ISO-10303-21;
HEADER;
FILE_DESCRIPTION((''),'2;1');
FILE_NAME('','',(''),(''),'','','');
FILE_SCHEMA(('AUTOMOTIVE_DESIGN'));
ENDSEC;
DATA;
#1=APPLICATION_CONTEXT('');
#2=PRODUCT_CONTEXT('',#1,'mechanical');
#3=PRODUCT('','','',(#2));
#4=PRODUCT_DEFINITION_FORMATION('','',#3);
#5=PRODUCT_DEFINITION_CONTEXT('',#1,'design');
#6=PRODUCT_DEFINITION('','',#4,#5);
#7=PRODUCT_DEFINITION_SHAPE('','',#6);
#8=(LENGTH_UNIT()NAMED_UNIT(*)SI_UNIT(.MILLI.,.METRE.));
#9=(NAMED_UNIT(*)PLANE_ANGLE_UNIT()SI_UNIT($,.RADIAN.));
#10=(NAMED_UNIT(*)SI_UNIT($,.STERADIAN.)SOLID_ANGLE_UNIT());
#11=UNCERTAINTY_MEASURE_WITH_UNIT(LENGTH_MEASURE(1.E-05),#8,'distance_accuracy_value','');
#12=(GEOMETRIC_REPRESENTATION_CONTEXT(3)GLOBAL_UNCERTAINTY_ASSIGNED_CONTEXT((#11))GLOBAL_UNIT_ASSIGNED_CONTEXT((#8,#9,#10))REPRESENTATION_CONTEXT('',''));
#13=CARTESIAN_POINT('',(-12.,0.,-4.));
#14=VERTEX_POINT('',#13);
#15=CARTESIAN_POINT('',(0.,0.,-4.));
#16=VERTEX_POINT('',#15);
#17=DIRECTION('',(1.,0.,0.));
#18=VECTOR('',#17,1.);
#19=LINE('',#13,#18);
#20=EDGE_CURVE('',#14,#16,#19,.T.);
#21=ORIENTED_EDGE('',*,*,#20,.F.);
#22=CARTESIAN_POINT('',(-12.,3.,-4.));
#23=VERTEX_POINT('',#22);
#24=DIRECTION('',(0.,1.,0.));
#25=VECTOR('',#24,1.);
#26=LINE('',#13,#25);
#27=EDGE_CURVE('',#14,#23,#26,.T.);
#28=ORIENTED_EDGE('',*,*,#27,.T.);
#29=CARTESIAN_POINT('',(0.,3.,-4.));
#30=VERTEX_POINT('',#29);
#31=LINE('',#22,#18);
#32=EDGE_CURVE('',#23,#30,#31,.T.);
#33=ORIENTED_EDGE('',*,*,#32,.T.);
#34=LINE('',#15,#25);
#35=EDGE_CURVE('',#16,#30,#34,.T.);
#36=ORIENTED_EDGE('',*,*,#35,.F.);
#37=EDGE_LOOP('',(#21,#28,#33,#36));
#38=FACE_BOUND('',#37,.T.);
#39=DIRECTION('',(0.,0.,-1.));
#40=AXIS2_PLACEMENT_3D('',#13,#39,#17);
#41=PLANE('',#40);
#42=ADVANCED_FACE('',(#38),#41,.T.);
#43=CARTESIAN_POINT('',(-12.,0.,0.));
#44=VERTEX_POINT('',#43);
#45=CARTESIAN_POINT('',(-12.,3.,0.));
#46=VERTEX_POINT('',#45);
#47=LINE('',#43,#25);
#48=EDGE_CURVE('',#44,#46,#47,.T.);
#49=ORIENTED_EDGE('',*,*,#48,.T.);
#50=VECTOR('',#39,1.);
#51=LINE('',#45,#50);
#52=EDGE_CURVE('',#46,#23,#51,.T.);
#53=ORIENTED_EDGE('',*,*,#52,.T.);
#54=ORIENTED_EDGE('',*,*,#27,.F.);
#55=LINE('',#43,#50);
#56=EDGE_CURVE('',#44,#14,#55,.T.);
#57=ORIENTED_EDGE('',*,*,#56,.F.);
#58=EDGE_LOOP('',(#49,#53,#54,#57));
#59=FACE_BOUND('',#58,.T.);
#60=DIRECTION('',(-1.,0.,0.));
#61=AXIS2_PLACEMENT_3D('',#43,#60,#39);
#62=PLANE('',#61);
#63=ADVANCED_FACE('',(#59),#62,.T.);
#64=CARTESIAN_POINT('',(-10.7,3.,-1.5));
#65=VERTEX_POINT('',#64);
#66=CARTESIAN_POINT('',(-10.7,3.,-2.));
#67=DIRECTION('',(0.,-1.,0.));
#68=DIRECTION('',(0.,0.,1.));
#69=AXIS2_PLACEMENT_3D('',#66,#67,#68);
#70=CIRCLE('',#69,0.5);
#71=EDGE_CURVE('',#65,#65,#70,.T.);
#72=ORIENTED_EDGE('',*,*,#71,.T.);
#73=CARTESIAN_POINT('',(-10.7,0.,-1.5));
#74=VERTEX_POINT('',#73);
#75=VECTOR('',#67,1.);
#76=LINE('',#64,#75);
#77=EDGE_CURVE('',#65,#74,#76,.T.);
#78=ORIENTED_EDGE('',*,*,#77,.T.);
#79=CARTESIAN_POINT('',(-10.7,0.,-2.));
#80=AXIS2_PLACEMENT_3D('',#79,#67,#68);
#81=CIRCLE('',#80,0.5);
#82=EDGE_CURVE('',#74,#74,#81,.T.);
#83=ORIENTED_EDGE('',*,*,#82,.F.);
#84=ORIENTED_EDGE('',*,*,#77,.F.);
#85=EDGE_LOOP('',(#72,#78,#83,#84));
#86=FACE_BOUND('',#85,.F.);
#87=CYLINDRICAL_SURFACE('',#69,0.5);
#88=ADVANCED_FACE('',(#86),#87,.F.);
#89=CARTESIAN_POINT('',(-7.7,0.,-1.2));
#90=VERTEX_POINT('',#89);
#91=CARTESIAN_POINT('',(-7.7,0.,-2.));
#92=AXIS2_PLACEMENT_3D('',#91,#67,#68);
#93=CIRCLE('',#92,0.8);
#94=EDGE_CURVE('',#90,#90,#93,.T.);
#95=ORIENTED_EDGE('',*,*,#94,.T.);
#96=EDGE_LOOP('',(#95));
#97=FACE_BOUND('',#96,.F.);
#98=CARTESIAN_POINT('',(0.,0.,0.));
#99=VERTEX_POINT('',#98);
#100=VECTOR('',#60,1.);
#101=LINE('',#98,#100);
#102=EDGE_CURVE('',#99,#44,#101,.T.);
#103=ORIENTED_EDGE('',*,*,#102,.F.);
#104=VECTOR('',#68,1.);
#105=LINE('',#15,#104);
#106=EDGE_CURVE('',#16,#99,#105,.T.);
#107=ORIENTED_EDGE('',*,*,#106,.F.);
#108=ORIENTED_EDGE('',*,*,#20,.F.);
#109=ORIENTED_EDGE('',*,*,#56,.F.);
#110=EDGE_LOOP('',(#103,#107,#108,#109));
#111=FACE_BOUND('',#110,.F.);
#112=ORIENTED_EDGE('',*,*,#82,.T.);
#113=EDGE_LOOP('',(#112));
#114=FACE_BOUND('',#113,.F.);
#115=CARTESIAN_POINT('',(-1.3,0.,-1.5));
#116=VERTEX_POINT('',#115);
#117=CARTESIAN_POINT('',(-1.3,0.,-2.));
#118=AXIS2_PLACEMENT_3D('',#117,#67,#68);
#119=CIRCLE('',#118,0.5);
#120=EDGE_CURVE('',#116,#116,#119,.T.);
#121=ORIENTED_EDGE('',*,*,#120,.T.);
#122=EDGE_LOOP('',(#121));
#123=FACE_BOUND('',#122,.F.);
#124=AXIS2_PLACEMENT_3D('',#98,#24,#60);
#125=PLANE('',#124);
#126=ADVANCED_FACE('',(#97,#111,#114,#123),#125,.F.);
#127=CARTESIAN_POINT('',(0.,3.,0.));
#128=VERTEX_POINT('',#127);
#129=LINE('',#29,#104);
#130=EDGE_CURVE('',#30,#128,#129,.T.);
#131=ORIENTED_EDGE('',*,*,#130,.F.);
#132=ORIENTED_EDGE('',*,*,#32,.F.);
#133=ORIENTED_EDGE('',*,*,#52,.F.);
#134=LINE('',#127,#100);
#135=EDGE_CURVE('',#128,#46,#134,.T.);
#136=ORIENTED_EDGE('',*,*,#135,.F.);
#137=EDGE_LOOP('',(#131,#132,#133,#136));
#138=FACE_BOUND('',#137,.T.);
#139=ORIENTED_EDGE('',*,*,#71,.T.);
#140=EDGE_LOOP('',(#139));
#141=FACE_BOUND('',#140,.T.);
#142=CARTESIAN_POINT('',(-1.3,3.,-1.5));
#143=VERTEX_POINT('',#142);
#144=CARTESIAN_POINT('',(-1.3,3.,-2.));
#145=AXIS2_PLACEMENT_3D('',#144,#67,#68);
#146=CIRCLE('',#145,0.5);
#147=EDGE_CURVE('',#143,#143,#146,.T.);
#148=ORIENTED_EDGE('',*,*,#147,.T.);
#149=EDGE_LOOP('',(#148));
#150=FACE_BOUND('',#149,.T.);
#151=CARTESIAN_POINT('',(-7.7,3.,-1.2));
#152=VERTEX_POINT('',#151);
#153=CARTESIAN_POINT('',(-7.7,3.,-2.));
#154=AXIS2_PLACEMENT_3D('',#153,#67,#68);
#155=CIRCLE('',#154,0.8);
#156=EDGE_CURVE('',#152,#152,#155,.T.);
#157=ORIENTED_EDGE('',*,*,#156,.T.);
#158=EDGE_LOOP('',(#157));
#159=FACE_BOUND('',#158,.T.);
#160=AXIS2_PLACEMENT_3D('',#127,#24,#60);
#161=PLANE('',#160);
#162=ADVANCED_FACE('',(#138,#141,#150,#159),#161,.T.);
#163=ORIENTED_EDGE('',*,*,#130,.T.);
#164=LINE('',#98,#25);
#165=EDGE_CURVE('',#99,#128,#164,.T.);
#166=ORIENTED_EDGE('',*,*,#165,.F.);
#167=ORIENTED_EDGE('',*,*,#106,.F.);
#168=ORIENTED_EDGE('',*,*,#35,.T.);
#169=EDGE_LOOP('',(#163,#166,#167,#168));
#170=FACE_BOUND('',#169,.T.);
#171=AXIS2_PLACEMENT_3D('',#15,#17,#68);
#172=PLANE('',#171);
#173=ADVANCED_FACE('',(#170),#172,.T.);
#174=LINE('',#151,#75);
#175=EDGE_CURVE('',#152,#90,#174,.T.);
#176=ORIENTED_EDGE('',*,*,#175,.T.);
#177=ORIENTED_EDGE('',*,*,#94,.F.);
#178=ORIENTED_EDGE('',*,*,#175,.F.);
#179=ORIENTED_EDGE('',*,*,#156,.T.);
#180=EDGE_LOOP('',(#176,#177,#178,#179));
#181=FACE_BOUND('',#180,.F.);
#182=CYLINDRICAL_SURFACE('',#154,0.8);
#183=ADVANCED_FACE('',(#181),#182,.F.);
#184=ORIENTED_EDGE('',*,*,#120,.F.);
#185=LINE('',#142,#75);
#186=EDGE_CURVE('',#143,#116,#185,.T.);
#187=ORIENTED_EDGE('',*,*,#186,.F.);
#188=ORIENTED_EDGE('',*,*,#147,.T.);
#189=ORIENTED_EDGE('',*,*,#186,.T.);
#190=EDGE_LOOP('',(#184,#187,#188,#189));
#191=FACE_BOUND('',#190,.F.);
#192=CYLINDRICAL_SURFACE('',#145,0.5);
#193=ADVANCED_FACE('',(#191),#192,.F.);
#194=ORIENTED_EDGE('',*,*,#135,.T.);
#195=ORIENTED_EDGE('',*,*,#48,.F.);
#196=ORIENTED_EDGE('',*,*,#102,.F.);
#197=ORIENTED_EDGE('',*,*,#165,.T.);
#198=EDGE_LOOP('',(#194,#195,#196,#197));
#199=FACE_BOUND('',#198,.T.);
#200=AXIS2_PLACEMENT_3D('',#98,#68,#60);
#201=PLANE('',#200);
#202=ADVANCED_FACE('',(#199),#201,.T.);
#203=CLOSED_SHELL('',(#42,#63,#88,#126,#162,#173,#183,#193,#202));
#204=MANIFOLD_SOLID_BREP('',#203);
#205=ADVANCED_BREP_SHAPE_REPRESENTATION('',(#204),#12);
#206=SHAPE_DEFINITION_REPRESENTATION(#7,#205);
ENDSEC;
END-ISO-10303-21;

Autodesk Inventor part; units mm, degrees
ref_plane "YZ Plane" through (0, 0, 0) normal (1, 0, 0) x (0, 1, 0)
ref_plane "XZ Plane" through (0, 0, 0) normal (0, 1, 0) x (-1, 0, 0)
ref_plane "XY Plane" through (0, 0, 0) normal (0, 0, 1) x (1, 0, 0)
sketch "스케치1" plane through (0, 0, 0) normal (0, 1, 0) x (-1, 0, 0)
  line L0 (0, 0) -> (12, 0)
  line L1 (12, 0) -> (12, -4)
  line L2 (12, -4) -> (0, -4)
  line L3 (0, -4) -> (0, 0)
  dimension "d0" = 12
  dimension "d1" = 4
extrude "돌출1" add sketch "스케치1" along normal blind 3
sketch "스케치2" plane through (0, 3, 0) normal (0, 1, 0) x (1, 0, 0)
  line L0 (0, 0) -> (0, 4) construction
  line L1 (0, 2) -> (-12, 2) construction
  line L2 (-12, 4) -> (-12, 0) construction
  point P0 (-1.3, 2)
  point P1 (-7.7, 2)
  point P2 (-10.7, 2)
  dimension "d59" = 1.3
  dimension "d60" = 3
  dimension "d62" = 1.3
hole "구멍1" at (-10.7, 3, -2) at (-1.3, 3, -2) direction (0, -1, 0) diameter 1 end through all
hole "구멍2" at (-7.7, 3, -2) direction (0, -1, 0) diameter 1.6 end through all
equation "\"G23_F\" = 0.65"
equation "\"G23_M\" = 0.67"
equation "\"Screw_F\" = 1.3"
equation "\"Screw_M\" = 1.6"
properties part number "_3D 인쇄"
